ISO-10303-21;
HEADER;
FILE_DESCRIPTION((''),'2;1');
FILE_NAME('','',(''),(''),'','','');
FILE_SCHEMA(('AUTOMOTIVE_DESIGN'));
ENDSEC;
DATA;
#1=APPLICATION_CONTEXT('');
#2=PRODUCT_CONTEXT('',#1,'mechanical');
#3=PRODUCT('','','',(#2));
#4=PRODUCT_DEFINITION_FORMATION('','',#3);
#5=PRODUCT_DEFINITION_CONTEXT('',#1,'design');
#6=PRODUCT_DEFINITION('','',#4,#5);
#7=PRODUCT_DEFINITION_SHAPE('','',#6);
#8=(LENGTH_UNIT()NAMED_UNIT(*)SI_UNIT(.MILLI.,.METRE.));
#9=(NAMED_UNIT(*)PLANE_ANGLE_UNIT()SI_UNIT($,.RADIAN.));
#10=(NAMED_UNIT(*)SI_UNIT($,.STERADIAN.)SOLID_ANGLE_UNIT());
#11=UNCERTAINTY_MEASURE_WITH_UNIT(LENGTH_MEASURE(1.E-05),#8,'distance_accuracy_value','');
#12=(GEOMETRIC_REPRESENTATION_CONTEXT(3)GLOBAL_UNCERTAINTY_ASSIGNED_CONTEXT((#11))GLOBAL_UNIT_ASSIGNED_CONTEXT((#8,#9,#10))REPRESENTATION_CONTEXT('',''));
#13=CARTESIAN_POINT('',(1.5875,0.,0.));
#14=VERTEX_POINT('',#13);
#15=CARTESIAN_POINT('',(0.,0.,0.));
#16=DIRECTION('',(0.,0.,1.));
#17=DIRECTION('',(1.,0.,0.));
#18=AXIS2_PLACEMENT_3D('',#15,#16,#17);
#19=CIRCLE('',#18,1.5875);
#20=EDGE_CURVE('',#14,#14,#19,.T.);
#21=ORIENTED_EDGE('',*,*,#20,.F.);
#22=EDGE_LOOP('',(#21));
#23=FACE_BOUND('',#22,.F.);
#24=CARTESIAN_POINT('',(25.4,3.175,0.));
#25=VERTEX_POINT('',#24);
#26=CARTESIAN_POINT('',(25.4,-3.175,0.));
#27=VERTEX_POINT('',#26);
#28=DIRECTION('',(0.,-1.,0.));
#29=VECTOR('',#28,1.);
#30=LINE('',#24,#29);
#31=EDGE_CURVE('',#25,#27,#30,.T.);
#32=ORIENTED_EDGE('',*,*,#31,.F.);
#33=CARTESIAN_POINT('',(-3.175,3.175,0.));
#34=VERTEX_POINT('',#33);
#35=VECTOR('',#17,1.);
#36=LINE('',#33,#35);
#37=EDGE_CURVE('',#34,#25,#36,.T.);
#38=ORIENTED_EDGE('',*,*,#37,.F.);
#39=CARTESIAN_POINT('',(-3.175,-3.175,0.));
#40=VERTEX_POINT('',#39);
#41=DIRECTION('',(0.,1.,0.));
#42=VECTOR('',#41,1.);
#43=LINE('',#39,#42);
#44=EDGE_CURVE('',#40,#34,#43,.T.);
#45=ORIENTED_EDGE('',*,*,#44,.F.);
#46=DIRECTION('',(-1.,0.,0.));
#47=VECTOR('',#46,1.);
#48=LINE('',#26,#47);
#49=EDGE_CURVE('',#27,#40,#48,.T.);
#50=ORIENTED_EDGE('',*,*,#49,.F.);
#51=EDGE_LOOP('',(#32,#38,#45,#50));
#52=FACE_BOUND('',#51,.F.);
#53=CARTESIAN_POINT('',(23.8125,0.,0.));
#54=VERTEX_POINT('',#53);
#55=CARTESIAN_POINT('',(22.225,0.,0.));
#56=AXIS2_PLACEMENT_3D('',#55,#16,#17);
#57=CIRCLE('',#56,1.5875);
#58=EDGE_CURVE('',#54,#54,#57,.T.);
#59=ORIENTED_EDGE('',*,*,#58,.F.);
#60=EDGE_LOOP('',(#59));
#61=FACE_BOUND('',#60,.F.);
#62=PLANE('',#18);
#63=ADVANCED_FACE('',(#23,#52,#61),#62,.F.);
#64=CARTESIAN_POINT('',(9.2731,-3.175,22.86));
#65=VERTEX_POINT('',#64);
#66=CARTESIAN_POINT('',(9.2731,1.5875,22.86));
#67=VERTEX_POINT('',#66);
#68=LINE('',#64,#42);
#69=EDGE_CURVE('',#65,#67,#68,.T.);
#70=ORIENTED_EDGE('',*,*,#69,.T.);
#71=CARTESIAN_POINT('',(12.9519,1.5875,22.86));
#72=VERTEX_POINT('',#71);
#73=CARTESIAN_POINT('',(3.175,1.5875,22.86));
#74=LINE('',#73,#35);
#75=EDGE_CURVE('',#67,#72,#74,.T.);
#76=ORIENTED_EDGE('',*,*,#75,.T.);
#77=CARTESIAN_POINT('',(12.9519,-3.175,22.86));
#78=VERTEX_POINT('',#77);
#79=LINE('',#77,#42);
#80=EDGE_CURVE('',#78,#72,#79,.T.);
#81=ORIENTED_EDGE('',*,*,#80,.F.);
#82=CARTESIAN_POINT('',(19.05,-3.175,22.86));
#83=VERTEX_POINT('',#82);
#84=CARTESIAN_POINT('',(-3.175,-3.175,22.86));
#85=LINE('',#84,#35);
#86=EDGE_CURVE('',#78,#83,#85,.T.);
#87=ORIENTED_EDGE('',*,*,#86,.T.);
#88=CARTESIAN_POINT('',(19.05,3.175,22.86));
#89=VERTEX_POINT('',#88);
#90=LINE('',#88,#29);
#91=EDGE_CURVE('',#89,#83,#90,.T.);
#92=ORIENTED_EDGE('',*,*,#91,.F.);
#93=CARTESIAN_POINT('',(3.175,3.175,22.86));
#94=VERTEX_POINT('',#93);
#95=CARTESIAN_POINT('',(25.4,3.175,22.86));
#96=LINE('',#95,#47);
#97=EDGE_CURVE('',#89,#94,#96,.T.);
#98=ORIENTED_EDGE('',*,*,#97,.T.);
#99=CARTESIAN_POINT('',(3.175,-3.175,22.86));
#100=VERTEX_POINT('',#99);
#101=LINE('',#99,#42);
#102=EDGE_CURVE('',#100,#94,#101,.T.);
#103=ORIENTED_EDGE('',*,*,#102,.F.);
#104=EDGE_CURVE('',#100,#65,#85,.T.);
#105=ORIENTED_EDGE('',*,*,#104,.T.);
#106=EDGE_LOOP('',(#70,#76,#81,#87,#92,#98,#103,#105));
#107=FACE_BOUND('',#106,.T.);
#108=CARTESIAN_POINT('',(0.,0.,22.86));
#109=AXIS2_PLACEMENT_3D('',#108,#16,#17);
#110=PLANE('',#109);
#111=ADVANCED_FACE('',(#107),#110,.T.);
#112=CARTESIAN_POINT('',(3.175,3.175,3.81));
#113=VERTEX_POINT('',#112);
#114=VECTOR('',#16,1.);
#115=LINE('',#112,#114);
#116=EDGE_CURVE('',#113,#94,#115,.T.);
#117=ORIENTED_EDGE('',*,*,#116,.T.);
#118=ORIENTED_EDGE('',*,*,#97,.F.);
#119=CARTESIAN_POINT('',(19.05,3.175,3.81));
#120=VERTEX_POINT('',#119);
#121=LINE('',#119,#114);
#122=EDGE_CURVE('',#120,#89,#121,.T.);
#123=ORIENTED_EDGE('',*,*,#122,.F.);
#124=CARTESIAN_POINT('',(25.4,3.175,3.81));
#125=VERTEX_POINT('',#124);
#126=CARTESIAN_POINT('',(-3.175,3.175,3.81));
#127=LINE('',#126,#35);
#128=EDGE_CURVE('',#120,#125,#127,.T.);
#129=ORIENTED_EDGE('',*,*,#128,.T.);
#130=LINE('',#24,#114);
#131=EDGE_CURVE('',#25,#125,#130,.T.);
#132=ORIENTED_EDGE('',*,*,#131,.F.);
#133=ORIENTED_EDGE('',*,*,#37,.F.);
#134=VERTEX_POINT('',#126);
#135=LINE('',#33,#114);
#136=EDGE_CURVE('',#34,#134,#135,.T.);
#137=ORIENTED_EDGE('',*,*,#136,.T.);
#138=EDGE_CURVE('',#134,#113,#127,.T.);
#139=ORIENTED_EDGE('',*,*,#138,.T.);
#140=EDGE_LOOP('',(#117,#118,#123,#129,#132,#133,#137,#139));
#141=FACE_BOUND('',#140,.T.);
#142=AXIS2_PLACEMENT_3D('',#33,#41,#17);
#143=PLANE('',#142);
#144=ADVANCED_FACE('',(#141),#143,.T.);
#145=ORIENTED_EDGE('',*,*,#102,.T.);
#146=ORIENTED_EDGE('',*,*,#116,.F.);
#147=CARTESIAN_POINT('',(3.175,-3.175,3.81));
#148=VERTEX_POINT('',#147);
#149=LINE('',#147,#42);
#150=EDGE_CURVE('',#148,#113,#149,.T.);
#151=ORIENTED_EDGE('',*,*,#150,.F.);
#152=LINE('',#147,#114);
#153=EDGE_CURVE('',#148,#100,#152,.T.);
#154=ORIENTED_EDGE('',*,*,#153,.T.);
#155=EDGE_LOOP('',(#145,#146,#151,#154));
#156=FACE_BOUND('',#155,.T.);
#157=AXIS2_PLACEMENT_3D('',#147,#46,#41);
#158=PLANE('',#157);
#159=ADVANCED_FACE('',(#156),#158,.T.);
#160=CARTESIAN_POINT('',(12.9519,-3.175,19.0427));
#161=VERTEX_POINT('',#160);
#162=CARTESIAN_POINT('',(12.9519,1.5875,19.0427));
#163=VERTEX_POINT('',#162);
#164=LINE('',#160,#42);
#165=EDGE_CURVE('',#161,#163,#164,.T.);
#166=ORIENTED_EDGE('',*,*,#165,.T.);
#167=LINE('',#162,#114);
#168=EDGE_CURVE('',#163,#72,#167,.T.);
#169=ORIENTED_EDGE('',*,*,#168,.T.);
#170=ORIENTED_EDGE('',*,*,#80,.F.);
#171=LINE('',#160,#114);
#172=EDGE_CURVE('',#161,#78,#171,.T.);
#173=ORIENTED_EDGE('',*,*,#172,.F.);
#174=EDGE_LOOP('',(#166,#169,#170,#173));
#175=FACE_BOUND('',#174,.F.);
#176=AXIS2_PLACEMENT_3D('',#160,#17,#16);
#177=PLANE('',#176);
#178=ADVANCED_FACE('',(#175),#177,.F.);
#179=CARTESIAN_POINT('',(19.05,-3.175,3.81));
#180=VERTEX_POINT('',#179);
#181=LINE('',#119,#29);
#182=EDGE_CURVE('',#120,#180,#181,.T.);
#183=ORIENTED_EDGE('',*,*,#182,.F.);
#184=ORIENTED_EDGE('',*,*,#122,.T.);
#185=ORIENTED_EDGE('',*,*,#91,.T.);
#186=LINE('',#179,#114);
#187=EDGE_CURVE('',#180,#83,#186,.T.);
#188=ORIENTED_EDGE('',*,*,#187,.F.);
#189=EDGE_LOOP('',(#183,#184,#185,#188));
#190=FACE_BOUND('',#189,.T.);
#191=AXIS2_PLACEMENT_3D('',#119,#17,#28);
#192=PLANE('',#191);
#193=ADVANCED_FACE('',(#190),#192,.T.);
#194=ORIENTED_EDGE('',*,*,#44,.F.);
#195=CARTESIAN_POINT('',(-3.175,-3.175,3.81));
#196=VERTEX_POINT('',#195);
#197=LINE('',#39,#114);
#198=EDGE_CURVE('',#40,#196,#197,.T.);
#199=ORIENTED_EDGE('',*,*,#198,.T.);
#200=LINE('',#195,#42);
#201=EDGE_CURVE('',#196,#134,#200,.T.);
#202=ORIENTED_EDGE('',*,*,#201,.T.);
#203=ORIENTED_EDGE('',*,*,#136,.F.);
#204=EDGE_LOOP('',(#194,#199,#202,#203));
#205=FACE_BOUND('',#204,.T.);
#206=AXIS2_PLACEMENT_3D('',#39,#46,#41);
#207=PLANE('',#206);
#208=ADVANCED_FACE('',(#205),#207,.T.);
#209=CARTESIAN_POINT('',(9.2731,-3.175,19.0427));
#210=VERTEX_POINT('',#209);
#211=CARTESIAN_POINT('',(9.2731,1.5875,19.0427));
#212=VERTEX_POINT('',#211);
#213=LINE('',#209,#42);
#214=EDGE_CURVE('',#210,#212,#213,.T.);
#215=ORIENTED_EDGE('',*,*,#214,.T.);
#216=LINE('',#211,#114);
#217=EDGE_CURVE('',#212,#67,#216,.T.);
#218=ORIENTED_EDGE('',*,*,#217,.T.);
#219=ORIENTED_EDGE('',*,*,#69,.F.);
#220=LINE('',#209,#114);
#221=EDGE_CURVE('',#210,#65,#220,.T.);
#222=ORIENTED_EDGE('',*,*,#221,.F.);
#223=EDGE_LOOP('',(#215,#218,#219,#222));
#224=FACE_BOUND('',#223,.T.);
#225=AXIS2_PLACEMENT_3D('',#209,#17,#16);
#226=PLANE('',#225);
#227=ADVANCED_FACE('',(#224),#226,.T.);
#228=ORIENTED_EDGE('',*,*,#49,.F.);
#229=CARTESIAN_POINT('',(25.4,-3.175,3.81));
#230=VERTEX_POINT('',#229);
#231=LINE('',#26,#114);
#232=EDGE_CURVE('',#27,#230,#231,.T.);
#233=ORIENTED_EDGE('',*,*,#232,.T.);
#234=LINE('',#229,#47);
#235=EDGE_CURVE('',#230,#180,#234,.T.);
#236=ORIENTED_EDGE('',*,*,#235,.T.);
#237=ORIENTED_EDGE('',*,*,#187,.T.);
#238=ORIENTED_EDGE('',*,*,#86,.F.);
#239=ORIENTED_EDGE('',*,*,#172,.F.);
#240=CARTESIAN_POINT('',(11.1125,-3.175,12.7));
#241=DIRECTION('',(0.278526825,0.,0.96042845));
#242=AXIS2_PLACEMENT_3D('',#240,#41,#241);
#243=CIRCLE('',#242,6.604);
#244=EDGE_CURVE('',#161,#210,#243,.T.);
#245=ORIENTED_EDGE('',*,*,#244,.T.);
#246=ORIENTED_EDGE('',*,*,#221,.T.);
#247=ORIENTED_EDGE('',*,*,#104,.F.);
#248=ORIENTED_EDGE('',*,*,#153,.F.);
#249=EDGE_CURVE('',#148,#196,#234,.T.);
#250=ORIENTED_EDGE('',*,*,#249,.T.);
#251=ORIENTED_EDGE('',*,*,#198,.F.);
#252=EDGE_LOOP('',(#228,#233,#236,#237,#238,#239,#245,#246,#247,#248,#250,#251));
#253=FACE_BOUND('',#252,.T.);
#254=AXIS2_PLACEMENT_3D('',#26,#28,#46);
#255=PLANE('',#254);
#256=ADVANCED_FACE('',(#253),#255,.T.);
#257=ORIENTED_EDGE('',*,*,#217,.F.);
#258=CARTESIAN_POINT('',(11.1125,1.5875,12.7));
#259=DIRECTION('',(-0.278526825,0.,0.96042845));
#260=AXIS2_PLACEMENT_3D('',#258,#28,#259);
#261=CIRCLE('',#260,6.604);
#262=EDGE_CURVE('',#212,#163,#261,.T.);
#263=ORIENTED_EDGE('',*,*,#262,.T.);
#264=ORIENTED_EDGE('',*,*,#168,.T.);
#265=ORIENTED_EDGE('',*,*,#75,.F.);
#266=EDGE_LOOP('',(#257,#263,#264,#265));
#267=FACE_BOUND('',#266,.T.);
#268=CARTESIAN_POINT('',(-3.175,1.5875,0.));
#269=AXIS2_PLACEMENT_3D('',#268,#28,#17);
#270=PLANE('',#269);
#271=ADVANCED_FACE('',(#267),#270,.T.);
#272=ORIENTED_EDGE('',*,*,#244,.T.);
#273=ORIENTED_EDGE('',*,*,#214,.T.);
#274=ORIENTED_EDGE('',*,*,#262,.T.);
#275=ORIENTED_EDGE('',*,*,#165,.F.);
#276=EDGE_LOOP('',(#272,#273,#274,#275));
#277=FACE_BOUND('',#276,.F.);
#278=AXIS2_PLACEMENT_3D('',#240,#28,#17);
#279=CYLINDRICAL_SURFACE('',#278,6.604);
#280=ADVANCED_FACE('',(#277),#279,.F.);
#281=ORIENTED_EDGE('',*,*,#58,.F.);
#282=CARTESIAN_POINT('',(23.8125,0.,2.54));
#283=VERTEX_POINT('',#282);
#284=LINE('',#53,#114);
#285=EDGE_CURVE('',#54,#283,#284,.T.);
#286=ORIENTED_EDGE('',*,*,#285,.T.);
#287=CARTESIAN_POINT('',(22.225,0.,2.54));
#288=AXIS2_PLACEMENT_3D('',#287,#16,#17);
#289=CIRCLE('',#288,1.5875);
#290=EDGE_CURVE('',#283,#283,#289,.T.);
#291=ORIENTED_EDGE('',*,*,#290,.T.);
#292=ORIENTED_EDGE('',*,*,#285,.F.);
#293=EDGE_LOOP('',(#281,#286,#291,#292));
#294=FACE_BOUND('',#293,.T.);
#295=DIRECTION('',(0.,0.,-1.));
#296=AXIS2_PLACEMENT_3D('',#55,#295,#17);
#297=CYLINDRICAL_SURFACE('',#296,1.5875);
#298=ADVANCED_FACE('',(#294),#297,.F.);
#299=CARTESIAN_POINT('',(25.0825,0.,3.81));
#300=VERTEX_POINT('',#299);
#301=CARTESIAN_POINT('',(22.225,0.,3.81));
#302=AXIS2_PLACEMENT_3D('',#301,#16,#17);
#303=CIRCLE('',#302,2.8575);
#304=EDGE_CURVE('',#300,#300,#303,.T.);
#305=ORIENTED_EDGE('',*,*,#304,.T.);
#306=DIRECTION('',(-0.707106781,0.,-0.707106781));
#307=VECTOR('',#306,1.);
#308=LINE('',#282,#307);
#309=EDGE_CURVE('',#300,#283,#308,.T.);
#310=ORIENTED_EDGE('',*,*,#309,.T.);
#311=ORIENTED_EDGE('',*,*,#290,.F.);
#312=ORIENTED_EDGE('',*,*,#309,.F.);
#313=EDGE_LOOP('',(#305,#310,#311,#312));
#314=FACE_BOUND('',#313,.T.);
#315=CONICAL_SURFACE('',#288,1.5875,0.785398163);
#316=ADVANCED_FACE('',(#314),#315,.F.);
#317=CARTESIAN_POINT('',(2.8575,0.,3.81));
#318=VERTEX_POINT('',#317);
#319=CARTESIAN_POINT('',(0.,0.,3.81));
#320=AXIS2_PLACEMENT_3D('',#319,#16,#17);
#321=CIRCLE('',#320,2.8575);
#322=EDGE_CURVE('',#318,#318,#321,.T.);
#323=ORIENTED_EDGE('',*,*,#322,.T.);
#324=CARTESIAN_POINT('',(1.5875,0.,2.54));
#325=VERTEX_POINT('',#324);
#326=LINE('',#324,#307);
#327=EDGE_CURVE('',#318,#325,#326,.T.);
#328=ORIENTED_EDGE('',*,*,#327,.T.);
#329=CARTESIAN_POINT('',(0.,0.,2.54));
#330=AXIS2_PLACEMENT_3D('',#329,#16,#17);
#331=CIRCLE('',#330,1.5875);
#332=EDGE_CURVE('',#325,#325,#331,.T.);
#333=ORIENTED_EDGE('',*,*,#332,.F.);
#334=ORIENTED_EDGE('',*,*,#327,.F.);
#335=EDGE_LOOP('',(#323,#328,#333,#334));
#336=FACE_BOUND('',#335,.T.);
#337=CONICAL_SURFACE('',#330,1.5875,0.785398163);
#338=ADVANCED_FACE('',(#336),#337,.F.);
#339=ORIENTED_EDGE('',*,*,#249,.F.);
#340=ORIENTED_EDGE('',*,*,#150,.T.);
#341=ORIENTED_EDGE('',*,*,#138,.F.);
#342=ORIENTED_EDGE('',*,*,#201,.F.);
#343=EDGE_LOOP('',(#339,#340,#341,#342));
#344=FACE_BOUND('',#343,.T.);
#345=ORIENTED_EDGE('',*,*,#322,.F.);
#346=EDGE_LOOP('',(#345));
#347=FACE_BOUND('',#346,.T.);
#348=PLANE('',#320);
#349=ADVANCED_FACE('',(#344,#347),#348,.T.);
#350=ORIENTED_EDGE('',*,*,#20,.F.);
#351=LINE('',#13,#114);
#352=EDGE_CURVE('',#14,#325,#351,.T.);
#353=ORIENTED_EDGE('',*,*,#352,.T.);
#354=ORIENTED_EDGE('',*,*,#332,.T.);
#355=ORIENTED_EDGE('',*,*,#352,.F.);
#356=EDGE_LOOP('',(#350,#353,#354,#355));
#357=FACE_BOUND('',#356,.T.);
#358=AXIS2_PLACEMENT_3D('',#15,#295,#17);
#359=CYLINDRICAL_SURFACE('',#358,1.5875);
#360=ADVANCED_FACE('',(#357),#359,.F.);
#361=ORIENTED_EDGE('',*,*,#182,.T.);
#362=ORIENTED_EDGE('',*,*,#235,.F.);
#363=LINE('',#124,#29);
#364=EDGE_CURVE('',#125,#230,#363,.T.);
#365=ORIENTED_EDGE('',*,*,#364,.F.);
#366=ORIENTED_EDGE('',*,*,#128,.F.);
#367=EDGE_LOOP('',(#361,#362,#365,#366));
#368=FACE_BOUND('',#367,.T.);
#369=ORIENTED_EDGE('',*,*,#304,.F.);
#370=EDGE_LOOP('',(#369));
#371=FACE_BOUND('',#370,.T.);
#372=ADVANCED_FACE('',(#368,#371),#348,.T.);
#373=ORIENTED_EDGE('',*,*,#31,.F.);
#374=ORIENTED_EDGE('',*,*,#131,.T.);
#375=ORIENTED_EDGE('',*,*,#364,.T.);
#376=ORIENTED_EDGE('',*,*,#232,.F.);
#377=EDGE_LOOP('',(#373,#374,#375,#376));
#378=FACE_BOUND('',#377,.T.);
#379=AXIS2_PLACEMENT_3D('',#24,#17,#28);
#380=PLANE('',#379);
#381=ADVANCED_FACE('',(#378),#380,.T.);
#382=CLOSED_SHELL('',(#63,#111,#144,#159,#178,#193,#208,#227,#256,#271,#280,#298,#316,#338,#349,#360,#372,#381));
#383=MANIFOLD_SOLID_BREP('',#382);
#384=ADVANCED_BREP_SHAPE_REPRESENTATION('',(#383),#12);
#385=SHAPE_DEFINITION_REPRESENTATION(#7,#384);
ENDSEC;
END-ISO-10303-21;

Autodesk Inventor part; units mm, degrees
ref_plane "YZ Plane" through (0, 0, 0) normal (1, 0, 0) x (0, 1, 0)
ref_plane "XZ Plane" through (0, 0, 0) normal (0, 1, 0) x (-1, 0, 0)
ref_plane "XY Plane" through (0, 0, 0) normal (0, 0, 1) x (1, 0, 0)
sketch "Sketch1" plane through (0, 0, 0) normal (0, 0, 1) x (1, 0, 0)
  circle A0 centre (0, 0) radius 1.5875
  circle A1 centre (22.225, 0) radius 1.5875
  line L0 (-3.175, 3.175) -> (25.4, 3.175)
  line L1 (25.4, 3.175) -> (25.4, -3.175)
  line L2 (25.4, -3.175) -> (-3.175, -3.175)
  line L3 (-3.175, -3.175) -> (-3.175, 3.175)
  dimension "d0" = 3.175
  dimension "d1" = 3.175
  dimension "d2" = 22.225
  dimension "d3" = 3.175
  dimension "d4" = 3.175
  dimension "d5" = 3.175
  dimension "d6" = 3.175
extrude "Extrusion1" add sketch "Sketch1" along normal blind 3.81
sketch "Sketch2" plane through (0, 0, 3.81) normal (0, 0, 1) x (1, 0, 0)
  circle A0 centre (22.225, 0) radius 1.5875 projected
  circle A1 centre (0, 0) radius 1.5875 projected
  line L0 (25.4, 3.175) -> (-3.175, 3.175) projected
  line L1 (-3.175, 3.175) -> (-3.175, -3.175) projected
  line L2 (-3.175, -3.175) -> (25.4, -3.175) projected
  line L3 (25.4, -3.175) -> (25.4, 3.175) projected
  line L4 (3.175, 3.175) -> (19.05, 3.175)
  line L5 (19.05, 3.175) -> (19.05, -3.175)
  line L6 (19.05, -3.175) -> (3.175, -3.175)
  line L7 (3.175, -3.175) -> (3.175, 3.175)
  dimension "d9" = 15.875
  dimension "d10" = 3.175
extrude "Extrusion2" add sketch "Sketch2" along normal blind 19.05 contours L5 L2 L7 L0
sketch "Sketch3" plane through (-3.175, -3.175, 0) normal (0, -1, 0) x (1, 0, 0)
  line L0 (28.575, 0) -> (0, 0) projected
  line L1 (28.575, 0) -> (28.575, 3.81) projected
  line L2 (22.225, 3.81) -> (28.575, 3.81) projected
  line L3 (22.225, 3.81) -> (22.225, 22.86) projected
  line L4 (6.35, 22.86) -> (22.225, 22.86) projected
  line L5 (6.35, 3.81) -> (6.35, 22.86) projected
  line L6 (0, 3.81) -> (6.35, 3.81) projected
  line L7 (0, 0) -> (0, 3.81) projected
  line L8 (6.35, 3.81) -> (22.225, 3.81)
  circle A0 centre (14.2875, 12.7) radius 6.604
  line L9 (12.4481, 19.0427) -> (12.4481, 22.86)
  line L10 (16.1269, 19.0427) -> (16.1269, 22.86)
  point P0 (3.175, 0)
  dimension "d13" = 13.208
  dimension "d22" = 12.7
extrude "Extrusion4" cut sketch "Sketch3" against normal blind 4.7625 contours L10 A0 L9 L4 | A0
chamfer "Chamfer1" distance 1.27 angle 45 2 edges at (-1.5875, 0, 3.81) (20.6375, 0, 3.81)
properties part number "potentiometerMountForePlanes" material "ABS Plastic"
